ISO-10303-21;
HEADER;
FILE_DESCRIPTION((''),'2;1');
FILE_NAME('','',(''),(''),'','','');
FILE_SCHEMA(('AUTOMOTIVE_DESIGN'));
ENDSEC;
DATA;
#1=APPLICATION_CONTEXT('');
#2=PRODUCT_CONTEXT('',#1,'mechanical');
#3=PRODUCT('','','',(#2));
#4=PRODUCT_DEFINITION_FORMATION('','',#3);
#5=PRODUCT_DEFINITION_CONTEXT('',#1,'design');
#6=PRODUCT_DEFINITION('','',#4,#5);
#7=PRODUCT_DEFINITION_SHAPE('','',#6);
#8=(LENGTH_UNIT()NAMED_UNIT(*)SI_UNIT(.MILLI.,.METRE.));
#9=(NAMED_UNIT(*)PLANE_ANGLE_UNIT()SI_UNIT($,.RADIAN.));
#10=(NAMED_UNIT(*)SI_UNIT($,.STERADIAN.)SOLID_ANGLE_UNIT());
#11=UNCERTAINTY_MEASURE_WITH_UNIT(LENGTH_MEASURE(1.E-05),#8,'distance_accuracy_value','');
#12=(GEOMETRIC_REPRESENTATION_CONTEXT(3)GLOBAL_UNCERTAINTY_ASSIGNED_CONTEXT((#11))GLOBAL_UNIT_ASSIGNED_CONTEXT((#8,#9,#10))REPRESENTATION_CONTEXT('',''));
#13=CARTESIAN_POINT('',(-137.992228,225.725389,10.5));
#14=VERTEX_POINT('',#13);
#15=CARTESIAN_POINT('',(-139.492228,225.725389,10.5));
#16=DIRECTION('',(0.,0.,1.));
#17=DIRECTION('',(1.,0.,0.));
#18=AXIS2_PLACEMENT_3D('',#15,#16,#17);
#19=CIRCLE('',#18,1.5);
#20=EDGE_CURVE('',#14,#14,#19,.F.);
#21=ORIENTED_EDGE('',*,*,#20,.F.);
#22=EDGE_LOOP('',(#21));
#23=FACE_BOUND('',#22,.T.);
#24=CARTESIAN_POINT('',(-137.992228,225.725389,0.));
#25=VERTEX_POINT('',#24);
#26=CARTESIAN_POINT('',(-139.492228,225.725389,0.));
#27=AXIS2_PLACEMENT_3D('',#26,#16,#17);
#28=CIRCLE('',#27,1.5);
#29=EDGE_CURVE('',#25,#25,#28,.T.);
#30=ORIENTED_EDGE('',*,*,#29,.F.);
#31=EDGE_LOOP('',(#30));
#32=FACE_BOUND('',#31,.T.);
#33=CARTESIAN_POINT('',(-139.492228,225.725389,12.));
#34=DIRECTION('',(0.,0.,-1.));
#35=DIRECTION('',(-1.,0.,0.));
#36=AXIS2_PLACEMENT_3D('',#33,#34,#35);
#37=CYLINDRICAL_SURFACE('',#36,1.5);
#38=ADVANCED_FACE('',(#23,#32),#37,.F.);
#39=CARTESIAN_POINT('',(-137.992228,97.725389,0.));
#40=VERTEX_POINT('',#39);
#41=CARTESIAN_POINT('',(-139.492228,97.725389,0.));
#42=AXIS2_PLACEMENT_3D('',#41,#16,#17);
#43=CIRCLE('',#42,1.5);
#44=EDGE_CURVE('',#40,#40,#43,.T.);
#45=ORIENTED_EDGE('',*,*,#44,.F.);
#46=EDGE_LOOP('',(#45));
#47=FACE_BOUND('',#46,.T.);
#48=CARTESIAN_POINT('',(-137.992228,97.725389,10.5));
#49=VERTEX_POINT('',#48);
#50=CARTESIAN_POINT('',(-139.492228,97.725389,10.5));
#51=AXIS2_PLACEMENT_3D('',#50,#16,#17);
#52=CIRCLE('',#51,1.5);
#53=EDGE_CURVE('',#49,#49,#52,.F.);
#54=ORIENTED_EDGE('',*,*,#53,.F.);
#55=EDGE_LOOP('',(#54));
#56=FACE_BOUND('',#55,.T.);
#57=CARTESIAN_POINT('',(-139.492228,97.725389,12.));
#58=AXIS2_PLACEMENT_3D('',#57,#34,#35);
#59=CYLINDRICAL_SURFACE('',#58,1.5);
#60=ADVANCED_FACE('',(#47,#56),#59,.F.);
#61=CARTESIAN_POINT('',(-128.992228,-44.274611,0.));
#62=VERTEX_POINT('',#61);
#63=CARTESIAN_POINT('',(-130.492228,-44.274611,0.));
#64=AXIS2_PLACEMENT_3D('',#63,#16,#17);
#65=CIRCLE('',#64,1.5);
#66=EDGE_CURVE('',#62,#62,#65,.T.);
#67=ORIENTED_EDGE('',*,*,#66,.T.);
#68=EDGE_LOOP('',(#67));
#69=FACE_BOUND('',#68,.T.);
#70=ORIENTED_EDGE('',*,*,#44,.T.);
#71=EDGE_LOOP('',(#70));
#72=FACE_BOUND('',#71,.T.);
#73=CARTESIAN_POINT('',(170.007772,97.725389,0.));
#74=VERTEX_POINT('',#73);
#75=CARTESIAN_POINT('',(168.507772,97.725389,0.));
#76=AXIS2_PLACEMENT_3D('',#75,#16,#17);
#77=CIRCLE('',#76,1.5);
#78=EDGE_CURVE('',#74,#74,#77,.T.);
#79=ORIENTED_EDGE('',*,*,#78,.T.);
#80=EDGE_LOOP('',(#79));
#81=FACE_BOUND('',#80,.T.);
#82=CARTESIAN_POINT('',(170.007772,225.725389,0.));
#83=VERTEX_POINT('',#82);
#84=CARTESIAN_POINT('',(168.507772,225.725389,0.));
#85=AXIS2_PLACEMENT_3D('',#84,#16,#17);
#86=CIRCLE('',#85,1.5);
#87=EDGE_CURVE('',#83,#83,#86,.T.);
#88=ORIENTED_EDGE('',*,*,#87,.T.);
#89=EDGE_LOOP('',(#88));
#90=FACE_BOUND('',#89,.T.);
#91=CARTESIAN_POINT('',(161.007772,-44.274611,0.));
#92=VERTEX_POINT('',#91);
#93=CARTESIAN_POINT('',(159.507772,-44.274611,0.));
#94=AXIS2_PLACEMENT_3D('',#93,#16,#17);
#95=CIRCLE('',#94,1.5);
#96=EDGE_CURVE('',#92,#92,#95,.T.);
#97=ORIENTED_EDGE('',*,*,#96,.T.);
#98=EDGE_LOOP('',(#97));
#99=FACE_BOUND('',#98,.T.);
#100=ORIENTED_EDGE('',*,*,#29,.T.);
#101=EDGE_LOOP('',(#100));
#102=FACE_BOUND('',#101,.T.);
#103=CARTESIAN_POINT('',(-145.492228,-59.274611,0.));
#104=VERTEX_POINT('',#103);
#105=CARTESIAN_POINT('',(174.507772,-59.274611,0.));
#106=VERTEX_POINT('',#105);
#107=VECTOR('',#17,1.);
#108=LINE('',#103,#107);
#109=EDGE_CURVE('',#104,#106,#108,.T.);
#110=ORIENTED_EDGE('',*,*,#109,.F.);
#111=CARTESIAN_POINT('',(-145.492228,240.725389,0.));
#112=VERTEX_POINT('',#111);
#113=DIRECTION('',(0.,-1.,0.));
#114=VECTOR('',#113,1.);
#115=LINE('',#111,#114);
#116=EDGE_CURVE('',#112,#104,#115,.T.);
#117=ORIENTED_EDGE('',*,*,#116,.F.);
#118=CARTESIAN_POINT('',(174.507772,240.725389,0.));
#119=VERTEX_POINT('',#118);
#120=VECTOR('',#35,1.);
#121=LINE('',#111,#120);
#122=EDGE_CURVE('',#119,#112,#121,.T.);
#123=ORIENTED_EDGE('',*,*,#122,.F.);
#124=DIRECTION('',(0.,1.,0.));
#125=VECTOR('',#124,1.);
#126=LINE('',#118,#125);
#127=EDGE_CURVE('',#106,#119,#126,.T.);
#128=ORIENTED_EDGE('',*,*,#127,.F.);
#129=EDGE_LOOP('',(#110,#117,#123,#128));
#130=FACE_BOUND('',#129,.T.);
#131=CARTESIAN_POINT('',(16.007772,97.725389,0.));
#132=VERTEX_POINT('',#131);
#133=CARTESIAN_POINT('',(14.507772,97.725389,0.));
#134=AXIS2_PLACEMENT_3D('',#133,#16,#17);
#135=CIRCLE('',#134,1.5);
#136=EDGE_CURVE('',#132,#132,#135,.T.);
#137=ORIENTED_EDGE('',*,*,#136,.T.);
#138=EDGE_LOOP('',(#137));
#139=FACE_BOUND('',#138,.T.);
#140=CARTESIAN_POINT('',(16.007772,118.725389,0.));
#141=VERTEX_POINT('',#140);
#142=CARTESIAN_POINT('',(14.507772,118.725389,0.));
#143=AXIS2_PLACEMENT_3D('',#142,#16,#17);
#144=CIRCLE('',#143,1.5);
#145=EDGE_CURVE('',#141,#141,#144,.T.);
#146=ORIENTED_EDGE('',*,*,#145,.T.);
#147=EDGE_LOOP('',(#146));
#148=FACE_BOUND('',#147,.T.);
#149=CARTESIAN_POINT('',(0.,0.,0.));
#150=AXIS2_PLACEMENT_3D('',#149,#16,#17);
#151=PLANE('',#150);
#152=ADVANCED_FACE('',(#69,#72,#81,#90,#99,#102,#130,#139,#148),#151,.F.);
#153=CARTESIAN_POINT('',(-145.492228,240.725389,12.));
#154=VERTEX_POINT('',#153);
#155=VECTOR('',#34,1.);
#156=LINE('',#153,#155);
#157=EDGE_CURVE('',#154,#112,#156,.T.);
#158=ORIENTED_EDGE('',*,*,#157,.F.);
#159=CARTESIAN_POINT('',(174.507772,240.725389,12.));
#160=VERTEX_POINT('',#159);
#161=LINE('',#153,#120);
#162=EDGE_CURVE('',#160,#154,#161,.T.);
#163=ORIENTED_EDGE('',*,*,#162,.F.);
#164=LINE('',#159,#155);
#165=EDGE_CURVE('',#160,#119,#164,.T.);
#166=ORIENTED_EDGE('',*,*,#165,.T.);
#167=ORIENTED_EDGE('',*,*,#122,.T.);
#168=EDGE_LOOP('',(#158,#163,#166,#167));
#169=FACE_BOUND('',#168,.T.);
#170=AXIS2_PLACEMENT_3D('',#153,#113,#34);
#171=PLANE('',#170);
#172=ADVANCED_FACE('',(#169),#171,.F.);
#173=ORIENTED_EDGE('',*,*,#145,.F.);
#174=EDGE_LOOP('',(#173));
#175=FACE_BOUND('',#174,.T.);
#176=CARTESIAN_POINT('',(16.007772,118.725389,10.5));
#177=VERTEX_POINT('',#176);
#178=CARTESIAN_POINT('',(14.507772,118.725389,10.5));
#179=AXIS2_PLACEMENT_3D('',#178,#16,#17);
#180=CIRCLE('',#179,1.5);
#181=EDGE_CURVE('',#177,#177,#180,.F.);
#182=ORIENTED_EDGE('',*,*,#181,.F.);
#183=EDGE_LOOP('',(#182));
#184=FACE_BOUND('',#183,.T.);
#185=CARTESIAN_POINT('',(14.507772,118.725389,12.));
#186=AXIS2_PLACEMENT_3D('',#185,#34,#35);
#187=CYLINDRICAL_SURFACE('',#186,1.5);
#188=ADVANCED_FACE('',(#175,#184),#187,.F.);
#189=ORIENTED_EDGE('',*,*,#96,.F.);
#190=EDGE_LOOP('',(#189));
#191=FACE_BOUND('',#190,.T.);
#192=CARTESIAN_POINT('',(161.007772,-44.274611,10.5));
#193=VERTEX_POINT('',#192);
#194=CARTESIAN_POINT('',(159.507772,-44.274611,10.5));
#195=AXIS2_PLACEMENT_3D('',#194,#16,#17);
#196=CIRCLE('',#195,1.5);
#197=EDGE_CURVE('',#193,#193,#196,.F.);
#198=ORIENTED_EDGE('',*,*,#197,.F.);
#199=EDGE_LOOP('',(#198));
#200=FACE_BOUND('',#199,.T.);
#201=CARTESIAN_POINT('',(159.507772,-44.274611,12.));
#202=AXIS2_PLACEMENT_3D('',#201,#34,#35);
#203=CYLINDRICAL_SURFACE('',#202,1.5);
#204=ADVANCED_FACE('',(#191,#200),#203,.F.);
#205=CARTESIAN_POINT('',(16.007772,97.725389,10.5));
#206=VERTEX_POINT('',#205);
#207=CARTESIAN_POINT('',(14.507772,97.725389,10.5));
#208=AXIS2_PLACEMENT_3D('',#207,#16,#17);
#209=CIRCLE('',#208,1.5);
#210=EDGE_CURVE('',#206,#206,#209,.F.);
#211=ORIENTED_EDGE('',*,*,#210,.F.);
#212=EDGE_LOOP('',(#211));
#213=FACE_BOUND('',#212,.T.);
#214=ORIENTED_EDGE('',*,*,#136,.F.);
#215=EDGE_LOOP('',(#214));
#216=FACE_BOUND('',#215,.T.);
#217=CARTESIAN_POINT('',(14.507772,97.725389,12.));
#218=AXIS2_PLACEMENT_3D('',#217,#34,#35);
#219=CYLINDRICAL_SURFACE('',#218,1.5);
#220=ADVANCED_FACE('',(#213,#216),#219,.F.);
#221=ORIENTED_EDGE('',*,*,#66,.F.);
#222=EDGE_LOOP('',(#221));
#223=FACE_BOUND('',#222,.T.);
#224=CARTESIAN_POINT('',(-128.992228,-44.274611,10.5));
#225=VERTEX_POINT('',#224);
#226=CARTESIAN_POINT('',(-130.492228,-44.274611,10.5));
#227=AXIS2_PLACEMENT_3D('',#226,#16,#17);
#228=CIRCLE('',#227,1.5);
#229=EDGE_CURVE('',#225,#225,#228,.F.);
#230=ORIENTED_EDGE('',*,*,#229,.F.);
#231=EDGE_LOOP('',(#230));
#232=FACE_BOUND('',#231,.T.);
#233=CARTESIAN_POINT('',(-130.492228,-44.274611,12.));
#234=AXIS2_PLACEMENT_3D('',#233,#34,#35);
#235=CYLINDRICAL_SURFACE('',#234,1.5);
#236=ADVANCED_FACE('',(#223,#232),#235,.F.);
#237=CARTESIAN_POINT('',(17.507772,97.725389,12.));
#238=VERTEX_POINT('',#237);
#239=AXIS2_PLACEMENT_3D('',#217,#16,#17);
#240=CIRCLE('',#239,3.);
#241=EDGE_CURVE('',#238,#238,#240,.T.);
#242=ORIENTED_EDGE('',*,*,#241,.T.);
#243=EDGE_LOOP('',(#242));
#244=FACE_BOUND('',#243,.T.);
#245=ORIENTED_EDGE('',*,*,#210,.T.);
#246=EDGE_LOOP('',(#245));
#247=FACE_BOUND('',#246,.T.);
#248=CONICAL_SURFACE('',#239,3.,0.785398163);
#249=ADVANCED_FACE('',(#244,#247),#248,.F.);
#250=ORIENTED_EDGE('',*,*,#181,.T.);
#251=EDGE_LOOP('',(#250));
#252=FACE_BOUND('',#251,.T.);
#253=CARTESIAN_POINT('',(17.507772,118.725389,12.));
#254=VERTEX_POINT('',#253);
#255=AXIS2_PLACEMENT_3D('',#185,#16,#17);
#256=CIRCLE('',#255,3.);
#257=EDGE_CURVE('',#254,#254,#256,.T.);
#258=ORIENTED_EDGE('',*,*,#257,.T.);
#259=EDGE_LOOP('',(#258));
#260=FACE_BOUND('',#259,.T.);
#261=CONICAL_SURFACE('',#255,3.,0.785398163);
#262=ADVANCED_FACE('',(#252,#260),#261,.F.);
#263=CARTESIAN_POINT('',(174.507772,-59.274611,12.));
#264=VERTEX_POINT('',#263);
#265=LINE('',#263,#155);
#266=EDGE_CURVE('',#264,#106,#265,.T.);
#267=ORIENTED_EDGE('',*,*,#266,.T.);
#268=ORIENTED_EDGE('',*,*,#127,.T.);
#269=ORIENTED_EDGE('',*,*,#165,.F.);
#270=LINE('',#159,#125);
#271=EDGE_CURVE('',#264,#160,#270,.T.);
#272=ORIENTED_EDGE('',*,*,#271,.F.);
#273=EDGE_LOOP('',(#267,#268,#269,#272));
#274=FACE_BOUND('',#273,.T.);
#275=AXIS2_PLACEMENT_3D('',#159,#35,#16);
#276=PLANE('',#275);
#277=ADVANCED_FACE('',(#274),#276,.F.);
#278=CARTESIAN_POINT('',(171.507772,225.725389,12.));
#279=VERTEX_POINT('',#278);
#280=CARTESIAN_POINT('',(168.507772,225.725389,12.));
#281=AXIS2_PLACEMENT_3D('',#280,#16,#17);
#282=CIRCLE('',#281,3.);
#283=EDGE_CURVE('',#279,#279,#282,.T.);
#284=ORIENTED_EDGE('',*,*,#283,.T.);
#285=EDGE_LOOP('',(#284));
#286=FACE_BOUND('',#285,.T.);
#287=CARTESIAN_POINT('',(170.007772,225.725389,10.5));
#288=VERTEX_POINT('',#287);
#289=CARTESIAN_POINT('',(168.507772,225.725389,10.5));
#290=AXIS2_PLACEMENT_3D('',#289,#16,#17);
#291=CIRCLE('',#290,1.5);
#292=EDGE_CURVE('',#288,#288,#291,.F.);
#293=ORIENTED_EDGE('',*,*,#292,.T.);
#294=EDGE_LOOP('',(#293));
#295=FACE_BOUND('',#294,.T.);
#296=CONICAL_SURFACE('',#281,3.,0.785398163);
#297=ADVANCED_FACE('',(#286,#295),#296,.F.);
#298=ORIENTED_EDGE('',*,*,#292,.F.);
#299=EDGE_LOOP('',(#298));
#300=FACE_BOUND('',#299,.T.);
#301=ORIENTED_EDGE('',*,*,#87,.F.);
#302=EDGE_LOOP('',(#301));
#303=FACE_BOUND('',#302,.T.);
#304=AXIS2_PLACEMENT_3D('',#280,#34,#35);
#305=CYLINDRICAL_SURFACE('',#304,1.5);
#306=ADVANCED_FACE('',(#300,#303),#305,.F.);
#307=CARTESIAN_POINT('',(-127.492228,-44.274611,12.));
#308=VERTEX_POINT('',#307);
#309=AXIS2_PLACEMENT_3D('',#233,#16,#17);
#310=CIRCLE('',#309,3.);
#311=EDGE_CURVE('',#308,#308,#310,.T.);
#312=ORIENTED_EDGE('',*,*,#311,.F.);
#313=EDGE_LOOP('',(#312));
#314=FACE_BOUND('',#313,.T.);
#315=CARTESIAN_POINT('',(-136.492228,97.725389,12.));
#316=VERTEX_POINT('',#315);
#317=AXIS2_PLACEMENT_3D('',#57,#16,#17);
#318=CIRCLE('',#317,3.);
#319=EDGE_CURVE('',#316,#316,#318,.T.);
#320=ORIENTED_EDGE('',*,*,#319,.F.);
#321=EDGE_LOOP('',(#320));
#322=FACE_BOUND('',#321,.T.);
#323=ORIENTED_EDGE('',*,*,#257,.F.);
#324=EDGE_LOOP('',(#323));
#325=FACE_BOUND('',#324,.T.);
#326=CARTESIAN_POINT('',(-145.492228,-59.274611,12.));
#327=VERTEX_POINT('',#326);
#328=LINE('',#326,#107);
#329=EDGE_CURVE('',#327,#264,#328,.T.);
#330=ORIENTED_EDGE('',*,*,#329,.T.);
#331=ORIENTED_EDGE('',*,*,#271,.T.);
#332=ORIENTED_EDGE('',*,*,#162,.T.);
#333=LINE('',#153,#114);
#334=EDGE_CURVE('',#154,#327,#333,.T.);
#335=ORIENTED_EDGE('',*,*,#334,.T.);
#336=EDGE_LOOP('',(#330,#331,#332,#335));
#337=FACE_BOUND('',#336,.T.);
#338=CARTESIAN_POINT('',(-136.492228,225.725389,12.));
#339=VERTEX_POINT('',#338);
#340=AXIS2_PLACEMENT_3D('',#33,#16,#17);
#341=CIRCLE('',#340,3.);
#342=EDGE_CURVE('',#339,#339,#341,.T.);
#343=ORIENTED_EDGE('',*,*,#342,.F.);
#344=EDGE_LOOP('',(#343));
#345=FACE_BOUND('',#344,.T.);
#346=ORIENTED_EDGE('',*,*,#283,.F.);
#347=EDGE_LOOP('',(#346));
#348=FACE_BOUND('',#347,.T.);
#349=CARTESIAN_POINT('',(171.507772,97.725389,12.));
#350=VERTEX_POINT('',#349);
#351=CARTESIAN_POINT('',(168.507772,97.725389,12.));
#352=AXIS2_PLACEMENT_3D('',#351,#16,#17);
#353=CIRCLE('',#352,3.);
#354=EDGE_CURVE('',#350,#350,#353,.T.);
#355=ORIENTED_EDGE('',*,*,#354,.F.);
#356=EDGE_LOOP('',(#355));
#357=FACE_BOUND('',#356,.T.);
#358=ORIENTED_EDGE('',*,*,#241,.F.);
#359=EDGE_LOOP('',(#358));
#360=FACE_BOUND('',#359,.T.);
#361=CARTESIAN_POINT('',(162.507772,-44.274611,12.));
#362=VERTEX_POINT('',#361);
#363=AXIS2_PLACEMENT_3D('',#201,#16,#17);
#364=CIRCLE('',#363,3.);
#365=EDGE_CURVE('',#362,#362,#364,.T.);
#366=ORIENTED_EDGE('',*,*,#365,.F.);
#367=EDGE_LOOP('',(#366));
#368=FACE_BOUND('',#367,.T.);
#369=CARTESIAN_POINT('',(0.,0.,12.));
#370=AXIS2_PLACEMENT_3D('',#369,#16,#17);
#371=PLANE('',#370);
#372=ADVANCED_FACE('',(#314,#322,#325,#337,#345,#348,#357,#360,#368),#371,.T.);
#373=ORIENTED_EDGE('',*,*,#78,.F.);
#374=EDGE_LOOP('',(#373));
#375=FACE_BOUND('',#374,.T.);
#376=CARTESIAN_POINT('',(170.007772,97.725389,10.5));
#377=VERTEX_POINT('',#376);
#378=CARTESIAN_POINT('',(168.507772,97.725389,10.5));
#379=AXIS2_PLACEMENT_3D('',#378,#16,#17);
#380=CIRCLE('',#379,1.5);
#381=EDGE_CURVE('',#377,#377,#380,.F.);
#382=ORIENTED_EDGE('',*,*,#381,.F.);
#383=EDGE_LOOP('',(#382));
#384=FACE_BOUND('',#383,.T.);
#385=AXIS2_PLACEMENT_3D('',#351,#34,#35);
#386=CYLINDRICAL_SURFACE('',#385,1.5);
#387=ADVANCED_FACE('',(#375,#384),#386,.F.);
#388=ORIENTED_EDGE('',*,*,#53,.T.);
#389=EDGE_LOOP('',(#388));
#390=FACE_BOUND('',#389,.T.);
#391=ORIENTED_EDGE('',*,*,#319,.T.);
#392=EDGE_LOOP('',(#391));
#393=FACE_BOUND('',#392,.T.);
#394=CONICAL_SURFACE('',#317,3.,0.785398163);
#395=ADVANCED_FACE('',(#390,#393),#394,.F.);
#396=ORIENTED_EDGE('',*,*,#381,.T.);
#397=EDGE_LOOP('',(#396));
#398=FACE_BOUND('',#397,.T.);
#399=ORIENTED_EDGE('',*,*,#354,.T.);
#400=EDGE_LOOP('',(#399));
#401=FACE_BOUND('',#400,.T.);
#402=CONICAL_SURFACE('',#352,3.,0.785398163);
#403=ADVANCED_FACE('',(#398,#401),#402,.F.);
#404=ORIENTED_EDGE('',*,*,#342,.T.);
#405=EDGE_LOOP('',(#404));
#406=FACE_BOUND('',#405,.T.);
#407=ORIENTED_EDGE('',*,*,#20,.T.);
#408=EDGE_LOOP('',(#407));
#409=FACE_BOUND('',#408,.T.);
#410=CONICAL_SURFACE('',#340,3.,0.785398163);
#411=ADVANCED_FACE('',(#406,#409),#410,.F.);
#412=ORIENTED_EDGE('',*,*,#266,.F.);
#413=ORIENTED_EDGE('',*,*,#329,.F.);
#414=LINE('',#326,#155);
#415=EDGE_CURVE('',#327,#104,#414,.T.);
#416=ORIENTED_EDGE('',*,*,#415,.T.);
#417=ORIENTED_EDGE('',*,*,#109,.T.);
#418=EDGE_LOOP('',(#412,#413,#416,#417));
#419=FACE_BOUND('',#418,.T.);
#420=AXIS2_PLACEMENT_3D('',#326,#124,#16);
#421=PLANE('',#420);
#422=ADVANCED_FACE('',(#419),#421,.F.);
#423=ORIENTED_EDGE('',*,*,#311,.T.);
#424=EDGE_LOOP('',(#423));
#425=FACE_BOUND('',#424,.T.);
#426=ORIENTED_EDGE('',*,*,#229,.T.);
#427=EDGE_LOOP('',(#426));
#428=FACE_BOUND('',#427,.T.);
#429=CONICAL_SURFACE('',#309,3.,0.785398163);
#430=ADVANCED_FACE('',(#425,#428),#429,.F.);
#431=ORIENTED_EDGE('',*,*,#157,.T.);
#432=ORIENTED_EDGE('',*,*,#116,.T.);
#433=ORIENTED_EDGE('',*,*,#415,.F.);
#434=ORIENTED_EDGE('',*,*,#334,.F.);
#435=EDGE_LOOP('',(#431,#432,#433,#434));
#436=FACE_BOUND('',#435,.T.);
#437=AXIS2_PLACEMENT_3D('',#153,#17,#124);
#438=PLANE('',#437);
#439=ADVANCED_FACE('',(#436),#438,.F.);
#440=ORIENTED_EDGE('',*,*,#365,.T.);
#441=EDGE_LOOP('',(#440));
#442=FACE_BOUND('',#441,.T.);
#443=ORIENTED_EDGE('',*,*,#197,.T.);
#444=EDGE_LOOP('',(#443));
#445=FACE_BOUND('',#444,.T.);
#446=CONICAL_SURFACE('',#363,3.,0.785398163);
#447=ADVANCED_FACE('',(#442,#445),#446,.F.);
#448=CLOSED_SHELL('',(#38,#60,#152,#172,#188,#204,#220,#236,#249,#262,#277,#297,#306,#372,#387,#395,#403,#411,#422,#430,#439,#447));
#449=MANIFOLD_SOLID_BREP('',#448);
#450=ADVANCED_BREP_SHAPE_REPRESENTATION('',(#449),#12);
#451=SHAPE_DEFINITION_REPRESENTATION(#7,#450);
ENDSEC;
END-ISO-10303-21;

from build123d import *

# Parameters (mm, degrees)
SKETCH1_W           = 320
SKETCH1_H           = 300
SKETCH1_R           = 1.5
BOSS_EXTRUDE1_DEPTH = 12


with BuildPart() as part:
    # Sketch1 → Boss-Extrude1 (new body)
    with BuildSketch(Plane.XY):
        with Locations((14.507772021, 90.725388601)):
            Rectangle(SKETCH1_W, SKETCH1_H)
        with Locations((-139.492227979, 225.725388601)):
            Circle(SKETCH1_R, mode=Mode.SUBTRACT)
        with Locations((-139.492227979, 97.725388601)):
            Circle(SKETCH1_R, mode=Mode.SUBTRACT)
        with Locations((168.507772021, 225.725388601)):
            Circle(SKETCH1_R, mode=Mode.SUBTRACT)
        with Locations((168.507772021, 97.725388601)):
            Circle(SKETCH1_R, mode=Mode.SUBTRACT)
        with Locations((-130.492227979, -44.274611399)):
            Circle(SKETCH1_R, mode=Mode.SUBTRACT)
        with Locations((159.507772021, -44.274611399)):
            Circle(SKETCH1_R, mode=Mode.SUBTRACT)
        with Locations((14.507772021, 97.725388601)):
            Circle(SKETCH1_R, mode=Mode.SUBTRACT)
        with Locations((14.507772021, 118.725388601)):
            Circle(SKETCH1_R, mode=Mode.SUBTRACT)
    extrude(amount=BOSS_EXTRUDE1_DEPTH)

    # Cut-Extrude1 cone 1 section (through the dimple's axis) → Cut-Extrude1 (revolve, cut)
    with BuildSketch(Plane(origin=(-139.492227979, 225.725388601, 12), x_dir=(0, -1, 0), z_dir=(1, 0, 0))):
        Polygon((0, 0), (3, 0), (0, 3), align=None)
    revolve(axis=Axis((-139.492227979, 225.725388601, 12), (0, 0, -1)), mode=Mode.SUBTRACT)

    # Cut-Extrude1 cone 2 section (through the dimple's axis) → Cut-Extrude1 cone 2 (revolve, cut)
    with BuildSketch(Plane(origin=(-139.492227979, 97.725388601, 12), x_dir=(0, -1, 0), z_dir=(1, 0, 0))):
        Polygon((0, 0), (3, 0), (0, 3), align=None)
    revolve(axis=Axis((-139.492227979, 97.725388601, 12), (0, 0, -1)), mode=Mode.SUBTRACT)

    # Cut-Extrude1 cone 3 section (through the dimple's axis) → Cut-Extrude1 cone 3 (revolve, cut)
    with BuildSketch(Plane(origin=(168.507772021, 225.725388601, 12), x_dir=(0, -1, 0), z_dir=(1, 0, 0))):
        Polygon((0, 0), (3, 0), (0, 3), align=None)
    revolve(axis=Axis((168.507772021, 225.725388601, 12), (0, 0, -1)), mode=Mode.SUBTRACT)

    # Cut-Extrude1 cone 4 section (through the dimple's axis) → Cut-Extrude1 cone 4 (revolve, cut)
    with BuildSketch(Plane(origin=(168.507772021, 97.725388601, 12), x_dir=(0, -1, 0), z_dir=(1, 0, 0))):
        Polygon((0, 0), (3, 0), (0, 3), align=None)
    revolve(axis=Axis((168.507772021, 97.725388601, 12), (0, 0, -1)), mode=Mode.SUBTRACT)

    # Cut-Extrude1 cone 5 section (through the dimple's axis) → Cut-Extrude1 cone 5 (revolve, cut)
    with BuildSketch(Plane(origin=(14.507772021, 97.725388601, 12), x_dir=(0, -1, 0), z_dir=(1, 0, 0))):
        Polygon((0, 0), (3, 0), (0, 3), align=None)
    revolve(axis=Axis((14.507772021, 97.725388601, 12), (0, 0, -1)), mode=Mode.SUBTRACT)

    # Cut-Extrude1 cone 6 section (through the dimple's axis) → Cut-Extrude1 cone 6 (revolve, cut)
    with BuildSketch(Plane(origin=(159.507772021, -44.274611399, 12), x_dir=(0, -1, 0), z_dir=(1, 0, 0))):
        Polygon((0, 0), (3, 0), (0, 3), align=None)
    revolve(axis=Axis((159.507772021, -44.274611399, 12), (0, 0, -1)), mode=Mode.SUBTRACT)

    # Cut-Extrude1 cone 7 section (through the dimple's axis) → Cut-Extrude1 cone 7 (revolve, cut)
    with BuildSketch(Plane(origin=(-130.492227979, -44.274611399, 12), x_dir=(0, -1, 0), z_dir=(1, 0, 0))):
        Polygon((0, 0), (3, 0), (0, 3), align=None)
    revolve(axis=Axis((-130.492227979, -44.274611399, 12), (0, 0, -1)), mode=Mode.SUBTRACT)

    # Cut-Extrude1 cone 8 section (through the dimple's axis) → Cut-Extrude1 cone 8 (revolve, cut)
    with BuildSketch(Plane(origin=(14.507772021, 118.725388601, 12), x_dir=(0, -1, 0), z_dir=(1, 0, 0))):
        Polygon((0, 0), (3, 0), (0, 3), align=None)
    revolve(axis=Axis((14.507772021, 118.725388601, 12), (0, 0, -1)), mode=Mode.SUBTRACT)


solid = part.part
